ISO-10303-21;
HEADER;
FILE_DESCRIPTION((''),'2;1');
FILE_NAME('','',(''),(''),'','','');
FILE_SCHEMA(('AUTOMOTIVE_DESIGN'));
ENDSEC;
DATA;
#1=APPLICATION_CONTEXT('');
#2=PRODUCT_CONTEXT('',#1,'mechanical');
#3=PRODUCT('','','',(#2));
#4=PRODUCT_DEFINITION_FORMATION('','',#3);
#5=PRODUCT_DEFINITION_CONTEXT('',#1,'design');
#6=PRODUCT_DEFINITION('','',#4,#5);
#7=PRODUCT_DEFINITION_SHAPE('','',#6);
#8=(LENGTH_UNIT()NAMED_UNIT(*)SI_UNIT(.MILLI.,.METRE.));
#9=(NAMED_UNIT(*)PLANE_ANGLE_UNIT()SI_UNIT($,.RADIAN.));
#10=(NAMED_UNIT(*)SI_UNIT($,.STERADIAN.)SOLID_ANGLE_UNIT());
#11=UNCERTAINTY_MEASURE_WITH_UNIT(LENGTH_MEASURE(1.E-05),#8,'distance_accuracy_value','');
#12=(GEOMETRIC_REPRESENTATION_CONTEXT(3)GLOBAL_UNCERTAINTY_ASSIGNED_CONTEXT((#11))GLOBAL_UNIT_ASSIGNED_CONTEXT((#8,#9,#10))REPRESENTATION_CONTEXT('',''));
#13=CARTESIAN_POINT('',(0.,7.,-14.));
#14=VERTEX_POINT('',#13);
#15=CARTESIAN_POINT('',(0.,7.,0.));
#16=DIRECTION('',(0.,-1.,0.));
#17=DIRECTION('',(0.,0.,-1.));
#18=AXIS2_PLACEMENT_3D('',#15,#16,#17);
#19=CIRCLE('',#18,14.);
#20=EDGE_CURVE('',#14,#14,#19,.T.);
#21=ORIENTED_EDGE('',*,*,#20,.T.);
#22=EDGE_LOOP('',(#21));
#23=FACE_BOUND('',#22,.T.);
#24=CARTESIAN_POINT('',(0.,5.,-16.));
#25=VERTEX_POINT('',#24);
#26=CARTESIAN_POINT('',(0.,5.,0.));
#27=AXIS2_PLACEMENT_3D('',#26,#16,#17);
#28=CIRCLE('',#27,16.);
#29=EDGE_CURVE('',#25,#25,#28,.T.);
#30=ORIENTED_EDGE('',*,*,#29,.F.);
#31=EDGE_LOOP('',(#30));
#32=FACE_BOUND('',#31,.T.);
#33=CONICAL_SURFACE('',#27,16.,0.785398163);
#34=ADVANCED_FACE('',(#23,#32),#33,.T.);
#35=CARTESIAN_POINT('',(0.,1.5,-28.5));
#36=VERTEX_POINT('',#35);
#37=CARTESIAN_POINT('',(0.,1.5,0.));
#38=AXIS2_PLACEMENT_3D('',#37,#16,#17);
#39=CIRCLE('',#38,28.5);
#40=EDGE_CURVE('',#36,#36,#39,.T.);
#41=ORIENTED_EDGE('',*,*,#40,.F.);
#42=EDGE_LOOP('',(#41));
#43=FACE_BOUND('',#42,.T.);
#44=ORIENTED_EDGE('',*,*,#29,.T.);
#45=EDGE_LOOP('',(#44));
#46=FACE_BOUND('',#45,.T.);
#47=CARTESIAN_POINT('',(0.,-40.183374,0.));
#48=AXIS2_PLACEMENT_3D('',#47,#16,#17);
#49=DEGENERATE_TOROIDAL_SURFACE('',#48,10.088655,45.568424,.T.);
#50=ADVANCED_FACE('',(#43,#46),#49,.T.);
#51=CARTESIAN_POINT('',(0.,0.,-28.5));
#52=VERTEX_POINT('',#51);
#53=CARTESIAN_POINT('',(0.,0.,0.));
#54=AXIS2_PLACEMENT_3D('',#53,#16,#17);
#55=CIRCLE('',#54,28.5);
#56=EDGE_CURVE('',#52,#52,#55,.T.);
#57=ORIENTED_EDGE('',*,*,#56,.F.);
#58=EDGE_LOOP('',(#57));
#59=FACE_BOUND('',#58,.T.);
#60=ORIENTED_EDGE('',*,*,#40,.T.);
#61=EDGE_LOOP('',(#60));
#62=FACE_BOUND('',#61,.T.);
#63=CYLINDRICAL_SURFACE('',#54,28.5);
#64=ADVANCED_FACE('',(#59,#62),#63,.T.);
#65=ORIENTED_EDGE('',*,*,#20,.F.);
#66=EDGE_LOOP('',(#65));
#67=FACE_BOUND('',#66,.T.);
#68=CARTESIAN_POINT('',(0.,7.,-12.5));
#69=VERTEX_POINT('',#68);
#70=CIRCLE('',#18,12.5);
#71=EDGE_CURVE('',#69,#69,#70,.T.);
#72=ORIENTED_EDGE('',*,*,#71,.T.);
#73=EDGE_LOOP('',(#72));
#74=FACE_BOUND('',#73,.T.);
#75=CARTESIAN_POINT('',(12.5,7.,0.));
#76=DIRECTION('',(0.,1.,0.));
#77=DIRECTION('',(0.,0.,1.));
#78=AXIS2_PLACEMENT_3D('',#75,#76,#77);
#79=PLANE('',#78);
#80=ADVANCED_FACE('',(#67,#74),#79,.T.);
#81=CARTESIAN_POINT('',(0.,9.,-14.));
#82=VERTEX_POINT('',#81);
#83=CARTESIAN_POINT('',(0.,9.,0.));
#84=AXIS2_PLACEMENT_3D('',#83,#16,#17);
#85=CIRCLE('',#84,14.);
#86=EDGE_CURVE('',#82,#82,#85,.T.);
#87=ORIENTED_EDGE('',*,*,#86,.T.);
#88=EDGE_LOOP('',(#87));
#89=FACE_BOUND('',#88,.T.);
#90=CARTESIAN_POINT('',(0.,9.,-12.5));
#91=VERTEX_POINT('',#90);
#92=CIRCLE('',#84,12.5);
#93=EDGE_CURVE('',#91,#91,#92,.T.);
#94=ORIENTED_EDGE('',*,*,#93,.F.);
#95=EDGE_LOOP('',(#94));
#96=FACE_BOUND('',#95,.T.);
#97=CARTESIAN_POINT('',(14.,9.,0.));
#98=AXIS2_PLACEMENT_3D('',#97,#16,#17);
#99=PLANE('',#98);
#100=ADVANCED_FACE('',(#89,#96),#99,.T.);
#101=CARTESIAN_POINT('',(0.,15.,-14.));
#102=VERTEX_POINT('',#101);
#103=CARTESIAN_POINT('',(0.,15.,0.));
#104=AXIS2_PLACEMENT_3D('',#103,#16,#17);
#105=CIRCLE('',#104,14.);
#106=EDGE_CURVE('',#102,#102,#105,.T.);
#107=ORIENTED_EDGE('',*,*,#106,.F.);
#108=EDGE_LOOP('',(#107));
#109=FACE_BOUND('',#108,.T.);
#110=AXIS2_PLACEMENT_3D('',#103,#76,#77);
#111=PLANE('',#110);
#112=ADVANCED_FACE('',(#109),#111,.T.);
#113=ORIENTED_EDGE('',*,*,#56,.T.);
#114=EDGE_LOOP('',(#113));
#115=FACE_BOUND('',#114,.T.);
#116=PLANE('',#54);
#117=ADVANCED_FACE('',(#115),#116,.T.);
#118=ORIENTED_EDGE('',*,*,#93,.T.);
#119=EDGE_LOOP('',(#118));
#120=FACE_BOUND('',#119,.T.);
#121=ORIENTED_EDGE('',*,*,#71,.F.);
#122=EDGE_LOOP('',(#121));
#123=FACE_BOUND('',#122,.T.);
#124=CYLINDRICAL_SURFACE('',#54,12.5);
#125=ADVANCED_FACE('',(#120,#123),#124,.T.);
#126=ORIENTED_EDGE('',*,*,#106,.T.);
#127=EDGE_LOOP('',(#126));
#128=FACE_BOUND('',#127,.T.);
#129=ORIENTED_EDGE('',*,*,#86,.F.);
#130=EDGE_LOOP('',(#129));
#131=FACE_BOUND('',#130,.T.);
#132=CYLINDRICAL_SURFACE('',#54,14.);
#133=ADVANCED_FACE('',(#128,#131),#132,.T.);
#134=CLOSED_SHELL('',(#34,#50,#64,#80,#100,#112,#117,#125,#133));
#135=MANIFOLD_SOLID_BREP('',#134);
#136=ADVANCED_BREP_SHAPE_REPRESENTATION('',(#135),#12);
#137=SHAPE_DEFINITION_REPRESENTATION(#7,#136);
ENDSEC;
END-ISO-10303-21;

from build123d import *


with BuildPart() as part:
    # 草图2 → 旋转1 (revolve)
    with BuildSketch(Plane.XY, mode=Mode.PRIVATE) as revolve_1_sk:
        with BuildLine():
            Line((0, 0), (28.5, 0))
            Line((28.5, 0), (28.5, 1.5))
            ThreePointArc((28.5, 1.5), (22.375266099, 3.697378925), (16, 5))
            Line((16, 5), (14, 7))
            Line((14, 7), (12.5, 7))
            Line((12.5, 7), (12.5, 9))
            Line((12.5, 9), (14, 9))
            Line((14, 9), (14, 15))
            Line((14, 15), (0, 15))
            Line((0, 15), (0, 0))
        make_face()
    revolve(revolve_1_sk.sketch.rotate(Axis((0, 0, 0), (0, 1, 0)), 90), axis=Axis((0, 0, 0), (0, 1, 0)))


solid = part.part
